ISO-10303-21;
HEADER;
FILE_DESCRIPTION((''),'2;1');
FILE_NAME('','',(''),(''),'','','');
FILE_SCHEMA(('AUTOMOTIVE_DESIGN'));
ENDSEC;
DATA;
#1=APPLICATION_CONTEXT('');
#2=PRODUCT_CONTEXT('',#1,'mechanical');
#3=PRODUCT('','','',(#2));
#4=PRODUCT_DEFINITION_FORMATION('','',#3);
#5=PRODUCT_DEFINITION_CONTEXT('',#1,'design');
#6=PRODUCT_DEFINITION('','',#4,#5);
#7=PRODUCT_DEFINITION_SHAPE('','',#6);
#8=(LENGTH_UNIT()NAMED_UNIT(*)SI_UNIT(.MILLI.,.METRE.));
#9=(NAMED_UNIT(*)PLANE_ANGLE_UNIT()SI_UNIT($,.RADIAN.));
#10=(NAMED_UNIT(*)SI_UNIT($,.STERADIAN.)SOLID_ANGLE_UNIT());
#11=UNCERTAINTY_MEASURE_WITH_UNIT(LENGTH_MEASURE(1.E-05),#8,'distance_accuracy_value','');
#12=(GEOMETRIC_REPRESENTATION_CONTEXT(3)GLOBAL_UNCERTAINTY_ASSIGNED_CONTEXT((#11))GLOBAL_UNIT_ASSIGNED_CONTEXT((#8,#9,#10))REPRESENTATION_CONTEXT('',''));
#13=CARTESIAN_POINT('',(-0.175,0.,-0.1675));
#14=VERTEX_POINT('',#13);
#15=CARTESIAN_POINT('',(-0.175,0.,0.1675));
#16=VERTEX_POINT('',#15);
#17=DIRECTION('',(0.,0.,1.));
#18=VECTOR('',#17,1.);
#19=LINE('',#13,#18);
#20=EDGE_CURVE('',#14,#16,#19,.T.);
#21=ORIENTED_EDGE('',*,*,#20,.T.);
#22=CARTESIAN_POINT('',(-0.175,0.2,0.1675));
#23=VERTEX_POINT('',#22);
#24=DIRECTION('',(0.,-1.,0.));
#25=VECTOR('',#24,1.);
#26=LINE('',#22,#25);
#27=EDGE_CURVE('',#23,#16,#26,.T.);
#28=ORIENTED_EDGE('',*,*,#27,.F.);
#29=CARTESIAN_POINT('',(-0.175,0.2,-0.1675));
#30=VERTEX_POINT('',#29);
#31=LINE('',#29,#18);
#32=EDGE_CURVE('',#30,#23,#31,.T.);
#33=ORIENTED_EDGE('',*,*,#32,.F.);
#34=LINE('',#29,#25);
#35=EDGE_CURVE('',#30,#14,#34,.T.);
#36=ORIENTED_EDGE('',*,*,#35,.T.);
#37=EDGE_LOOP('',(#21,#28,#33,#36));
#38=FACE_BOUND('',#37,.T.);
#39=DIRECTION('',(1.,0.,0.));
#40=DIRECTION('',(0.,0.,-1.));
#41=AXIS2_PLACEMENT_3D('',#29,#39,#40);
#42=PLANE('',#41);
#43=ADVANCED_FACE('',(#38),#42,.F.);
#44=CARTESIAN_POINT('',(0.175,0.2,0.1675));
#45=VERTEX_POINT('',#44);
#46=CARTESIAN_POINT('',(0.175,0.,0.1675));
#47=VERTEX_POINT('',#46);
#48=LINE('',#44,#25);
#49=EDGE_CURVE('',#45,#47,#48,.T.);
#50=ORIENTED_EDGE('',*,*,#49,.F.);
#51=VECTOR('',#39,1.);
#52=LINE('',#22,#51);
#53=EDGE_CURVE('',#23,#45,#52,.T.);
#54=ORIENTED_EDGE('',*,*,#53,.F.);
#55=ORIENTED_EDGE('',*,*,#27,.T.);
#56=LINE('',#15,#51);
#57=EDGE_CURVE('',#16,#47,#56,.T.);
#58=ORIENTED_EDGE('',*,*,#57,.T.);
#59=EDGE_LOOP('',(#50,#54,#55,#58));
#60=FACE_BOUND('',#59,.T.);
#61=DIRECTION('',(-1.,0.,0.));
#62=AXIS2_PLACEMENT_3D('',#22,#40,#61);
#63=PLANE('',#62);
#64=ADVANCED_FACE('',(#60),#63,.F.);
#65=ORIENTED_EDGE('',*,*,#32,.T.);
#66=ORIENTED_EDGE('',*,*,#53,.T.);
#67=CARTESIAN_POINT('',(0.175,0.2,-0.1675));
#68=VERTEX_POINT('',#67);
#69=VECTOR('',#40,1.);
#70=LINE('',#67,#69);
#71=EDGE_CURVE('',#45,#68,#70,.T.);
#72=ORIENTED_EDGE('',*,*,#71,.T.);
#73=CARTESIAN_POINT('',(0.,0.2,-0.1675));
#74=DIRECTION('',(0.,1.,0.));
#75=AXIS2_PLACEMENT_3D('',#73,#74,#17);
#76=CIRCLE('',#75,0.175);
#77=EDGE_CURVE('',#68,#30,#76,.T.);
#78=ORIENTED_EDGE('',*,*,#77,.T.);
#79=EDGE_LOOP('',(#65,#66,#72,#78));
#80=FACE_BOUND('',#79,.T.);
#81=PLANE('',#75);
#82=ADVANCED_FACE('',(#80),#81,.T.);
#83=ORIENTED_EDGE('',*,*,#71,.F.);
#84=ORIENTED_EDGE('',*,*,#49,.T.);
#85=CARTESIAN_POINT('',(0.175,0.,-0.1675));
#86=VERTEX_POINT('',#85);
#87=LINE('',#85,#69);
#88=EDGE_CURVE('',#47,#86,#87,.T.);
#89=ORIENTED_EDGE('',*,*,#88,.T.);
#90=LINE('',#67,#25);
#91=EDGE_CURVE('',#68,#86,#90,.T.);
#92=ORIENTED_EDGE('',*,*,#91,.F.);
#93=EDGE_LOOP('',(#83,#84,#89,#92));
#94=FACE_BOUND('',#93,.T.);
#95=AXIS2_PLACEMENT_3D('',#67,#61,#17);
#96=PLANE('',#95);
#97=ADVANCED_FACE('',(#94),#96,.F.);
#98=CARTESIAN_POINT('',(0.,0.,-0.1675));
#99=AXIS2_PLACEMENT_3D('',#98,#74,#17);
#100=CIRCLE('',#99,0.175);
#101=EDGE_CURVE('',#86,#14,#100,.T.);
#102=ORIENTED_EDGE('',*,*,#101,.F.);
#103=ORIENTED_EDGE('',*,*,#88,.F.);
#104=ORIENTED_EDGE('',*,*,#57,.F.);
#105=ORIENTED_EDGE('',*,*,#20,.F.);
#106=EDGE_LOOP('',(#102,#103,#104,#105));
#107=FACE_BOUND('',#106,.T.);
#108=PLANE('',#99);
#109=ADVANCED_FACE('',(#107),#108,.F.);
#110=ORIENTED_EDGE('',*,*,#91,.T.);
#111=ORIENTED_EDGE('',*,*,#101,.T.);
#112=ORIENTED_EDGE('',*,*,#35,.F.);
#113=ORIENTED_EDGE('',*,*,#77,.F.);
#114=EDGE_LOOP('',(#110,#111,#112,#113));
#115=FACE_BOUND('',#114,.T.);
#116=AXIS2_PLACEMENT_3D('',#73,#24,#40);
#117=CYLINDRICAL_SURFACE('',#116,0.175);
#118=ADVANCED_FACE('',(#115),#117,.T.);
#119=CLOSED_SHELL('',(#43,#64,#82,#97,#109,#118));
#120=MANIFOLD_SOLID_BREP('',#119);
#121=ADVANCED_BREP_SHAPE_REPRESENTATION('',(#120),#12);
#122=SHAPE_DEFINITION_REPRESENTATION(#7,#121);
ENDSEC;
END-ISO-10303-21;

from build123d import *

# Parameters (mm, degrees)
BOSS_EXTRUDE1_DEPTH = 0.2


with BuildPart() as part:
    # Sketch1 → Boss-Extrude1 (new body)
    with BuildSketch(Plane(origin=(0, 0, 0), x_dir=(1, 0, 0), z_dir=(0, 1, 0))):
        with BuildLine():
            Line((-0.175, 0.1675), (-0.175, -0.1675))
            Line((-0.175, -0.1675), (0.175, -0.1675))
            Line((0.175, -0.1675), (0.175, 0.1675))
            ThreePointArc((0.175, 0.1675), (0, 0.3425), (-0.175, 0.1675))
        make_face()
    extrude(amount=BOSS_EXTRUDE1_DEPTH)


solid = part.part
